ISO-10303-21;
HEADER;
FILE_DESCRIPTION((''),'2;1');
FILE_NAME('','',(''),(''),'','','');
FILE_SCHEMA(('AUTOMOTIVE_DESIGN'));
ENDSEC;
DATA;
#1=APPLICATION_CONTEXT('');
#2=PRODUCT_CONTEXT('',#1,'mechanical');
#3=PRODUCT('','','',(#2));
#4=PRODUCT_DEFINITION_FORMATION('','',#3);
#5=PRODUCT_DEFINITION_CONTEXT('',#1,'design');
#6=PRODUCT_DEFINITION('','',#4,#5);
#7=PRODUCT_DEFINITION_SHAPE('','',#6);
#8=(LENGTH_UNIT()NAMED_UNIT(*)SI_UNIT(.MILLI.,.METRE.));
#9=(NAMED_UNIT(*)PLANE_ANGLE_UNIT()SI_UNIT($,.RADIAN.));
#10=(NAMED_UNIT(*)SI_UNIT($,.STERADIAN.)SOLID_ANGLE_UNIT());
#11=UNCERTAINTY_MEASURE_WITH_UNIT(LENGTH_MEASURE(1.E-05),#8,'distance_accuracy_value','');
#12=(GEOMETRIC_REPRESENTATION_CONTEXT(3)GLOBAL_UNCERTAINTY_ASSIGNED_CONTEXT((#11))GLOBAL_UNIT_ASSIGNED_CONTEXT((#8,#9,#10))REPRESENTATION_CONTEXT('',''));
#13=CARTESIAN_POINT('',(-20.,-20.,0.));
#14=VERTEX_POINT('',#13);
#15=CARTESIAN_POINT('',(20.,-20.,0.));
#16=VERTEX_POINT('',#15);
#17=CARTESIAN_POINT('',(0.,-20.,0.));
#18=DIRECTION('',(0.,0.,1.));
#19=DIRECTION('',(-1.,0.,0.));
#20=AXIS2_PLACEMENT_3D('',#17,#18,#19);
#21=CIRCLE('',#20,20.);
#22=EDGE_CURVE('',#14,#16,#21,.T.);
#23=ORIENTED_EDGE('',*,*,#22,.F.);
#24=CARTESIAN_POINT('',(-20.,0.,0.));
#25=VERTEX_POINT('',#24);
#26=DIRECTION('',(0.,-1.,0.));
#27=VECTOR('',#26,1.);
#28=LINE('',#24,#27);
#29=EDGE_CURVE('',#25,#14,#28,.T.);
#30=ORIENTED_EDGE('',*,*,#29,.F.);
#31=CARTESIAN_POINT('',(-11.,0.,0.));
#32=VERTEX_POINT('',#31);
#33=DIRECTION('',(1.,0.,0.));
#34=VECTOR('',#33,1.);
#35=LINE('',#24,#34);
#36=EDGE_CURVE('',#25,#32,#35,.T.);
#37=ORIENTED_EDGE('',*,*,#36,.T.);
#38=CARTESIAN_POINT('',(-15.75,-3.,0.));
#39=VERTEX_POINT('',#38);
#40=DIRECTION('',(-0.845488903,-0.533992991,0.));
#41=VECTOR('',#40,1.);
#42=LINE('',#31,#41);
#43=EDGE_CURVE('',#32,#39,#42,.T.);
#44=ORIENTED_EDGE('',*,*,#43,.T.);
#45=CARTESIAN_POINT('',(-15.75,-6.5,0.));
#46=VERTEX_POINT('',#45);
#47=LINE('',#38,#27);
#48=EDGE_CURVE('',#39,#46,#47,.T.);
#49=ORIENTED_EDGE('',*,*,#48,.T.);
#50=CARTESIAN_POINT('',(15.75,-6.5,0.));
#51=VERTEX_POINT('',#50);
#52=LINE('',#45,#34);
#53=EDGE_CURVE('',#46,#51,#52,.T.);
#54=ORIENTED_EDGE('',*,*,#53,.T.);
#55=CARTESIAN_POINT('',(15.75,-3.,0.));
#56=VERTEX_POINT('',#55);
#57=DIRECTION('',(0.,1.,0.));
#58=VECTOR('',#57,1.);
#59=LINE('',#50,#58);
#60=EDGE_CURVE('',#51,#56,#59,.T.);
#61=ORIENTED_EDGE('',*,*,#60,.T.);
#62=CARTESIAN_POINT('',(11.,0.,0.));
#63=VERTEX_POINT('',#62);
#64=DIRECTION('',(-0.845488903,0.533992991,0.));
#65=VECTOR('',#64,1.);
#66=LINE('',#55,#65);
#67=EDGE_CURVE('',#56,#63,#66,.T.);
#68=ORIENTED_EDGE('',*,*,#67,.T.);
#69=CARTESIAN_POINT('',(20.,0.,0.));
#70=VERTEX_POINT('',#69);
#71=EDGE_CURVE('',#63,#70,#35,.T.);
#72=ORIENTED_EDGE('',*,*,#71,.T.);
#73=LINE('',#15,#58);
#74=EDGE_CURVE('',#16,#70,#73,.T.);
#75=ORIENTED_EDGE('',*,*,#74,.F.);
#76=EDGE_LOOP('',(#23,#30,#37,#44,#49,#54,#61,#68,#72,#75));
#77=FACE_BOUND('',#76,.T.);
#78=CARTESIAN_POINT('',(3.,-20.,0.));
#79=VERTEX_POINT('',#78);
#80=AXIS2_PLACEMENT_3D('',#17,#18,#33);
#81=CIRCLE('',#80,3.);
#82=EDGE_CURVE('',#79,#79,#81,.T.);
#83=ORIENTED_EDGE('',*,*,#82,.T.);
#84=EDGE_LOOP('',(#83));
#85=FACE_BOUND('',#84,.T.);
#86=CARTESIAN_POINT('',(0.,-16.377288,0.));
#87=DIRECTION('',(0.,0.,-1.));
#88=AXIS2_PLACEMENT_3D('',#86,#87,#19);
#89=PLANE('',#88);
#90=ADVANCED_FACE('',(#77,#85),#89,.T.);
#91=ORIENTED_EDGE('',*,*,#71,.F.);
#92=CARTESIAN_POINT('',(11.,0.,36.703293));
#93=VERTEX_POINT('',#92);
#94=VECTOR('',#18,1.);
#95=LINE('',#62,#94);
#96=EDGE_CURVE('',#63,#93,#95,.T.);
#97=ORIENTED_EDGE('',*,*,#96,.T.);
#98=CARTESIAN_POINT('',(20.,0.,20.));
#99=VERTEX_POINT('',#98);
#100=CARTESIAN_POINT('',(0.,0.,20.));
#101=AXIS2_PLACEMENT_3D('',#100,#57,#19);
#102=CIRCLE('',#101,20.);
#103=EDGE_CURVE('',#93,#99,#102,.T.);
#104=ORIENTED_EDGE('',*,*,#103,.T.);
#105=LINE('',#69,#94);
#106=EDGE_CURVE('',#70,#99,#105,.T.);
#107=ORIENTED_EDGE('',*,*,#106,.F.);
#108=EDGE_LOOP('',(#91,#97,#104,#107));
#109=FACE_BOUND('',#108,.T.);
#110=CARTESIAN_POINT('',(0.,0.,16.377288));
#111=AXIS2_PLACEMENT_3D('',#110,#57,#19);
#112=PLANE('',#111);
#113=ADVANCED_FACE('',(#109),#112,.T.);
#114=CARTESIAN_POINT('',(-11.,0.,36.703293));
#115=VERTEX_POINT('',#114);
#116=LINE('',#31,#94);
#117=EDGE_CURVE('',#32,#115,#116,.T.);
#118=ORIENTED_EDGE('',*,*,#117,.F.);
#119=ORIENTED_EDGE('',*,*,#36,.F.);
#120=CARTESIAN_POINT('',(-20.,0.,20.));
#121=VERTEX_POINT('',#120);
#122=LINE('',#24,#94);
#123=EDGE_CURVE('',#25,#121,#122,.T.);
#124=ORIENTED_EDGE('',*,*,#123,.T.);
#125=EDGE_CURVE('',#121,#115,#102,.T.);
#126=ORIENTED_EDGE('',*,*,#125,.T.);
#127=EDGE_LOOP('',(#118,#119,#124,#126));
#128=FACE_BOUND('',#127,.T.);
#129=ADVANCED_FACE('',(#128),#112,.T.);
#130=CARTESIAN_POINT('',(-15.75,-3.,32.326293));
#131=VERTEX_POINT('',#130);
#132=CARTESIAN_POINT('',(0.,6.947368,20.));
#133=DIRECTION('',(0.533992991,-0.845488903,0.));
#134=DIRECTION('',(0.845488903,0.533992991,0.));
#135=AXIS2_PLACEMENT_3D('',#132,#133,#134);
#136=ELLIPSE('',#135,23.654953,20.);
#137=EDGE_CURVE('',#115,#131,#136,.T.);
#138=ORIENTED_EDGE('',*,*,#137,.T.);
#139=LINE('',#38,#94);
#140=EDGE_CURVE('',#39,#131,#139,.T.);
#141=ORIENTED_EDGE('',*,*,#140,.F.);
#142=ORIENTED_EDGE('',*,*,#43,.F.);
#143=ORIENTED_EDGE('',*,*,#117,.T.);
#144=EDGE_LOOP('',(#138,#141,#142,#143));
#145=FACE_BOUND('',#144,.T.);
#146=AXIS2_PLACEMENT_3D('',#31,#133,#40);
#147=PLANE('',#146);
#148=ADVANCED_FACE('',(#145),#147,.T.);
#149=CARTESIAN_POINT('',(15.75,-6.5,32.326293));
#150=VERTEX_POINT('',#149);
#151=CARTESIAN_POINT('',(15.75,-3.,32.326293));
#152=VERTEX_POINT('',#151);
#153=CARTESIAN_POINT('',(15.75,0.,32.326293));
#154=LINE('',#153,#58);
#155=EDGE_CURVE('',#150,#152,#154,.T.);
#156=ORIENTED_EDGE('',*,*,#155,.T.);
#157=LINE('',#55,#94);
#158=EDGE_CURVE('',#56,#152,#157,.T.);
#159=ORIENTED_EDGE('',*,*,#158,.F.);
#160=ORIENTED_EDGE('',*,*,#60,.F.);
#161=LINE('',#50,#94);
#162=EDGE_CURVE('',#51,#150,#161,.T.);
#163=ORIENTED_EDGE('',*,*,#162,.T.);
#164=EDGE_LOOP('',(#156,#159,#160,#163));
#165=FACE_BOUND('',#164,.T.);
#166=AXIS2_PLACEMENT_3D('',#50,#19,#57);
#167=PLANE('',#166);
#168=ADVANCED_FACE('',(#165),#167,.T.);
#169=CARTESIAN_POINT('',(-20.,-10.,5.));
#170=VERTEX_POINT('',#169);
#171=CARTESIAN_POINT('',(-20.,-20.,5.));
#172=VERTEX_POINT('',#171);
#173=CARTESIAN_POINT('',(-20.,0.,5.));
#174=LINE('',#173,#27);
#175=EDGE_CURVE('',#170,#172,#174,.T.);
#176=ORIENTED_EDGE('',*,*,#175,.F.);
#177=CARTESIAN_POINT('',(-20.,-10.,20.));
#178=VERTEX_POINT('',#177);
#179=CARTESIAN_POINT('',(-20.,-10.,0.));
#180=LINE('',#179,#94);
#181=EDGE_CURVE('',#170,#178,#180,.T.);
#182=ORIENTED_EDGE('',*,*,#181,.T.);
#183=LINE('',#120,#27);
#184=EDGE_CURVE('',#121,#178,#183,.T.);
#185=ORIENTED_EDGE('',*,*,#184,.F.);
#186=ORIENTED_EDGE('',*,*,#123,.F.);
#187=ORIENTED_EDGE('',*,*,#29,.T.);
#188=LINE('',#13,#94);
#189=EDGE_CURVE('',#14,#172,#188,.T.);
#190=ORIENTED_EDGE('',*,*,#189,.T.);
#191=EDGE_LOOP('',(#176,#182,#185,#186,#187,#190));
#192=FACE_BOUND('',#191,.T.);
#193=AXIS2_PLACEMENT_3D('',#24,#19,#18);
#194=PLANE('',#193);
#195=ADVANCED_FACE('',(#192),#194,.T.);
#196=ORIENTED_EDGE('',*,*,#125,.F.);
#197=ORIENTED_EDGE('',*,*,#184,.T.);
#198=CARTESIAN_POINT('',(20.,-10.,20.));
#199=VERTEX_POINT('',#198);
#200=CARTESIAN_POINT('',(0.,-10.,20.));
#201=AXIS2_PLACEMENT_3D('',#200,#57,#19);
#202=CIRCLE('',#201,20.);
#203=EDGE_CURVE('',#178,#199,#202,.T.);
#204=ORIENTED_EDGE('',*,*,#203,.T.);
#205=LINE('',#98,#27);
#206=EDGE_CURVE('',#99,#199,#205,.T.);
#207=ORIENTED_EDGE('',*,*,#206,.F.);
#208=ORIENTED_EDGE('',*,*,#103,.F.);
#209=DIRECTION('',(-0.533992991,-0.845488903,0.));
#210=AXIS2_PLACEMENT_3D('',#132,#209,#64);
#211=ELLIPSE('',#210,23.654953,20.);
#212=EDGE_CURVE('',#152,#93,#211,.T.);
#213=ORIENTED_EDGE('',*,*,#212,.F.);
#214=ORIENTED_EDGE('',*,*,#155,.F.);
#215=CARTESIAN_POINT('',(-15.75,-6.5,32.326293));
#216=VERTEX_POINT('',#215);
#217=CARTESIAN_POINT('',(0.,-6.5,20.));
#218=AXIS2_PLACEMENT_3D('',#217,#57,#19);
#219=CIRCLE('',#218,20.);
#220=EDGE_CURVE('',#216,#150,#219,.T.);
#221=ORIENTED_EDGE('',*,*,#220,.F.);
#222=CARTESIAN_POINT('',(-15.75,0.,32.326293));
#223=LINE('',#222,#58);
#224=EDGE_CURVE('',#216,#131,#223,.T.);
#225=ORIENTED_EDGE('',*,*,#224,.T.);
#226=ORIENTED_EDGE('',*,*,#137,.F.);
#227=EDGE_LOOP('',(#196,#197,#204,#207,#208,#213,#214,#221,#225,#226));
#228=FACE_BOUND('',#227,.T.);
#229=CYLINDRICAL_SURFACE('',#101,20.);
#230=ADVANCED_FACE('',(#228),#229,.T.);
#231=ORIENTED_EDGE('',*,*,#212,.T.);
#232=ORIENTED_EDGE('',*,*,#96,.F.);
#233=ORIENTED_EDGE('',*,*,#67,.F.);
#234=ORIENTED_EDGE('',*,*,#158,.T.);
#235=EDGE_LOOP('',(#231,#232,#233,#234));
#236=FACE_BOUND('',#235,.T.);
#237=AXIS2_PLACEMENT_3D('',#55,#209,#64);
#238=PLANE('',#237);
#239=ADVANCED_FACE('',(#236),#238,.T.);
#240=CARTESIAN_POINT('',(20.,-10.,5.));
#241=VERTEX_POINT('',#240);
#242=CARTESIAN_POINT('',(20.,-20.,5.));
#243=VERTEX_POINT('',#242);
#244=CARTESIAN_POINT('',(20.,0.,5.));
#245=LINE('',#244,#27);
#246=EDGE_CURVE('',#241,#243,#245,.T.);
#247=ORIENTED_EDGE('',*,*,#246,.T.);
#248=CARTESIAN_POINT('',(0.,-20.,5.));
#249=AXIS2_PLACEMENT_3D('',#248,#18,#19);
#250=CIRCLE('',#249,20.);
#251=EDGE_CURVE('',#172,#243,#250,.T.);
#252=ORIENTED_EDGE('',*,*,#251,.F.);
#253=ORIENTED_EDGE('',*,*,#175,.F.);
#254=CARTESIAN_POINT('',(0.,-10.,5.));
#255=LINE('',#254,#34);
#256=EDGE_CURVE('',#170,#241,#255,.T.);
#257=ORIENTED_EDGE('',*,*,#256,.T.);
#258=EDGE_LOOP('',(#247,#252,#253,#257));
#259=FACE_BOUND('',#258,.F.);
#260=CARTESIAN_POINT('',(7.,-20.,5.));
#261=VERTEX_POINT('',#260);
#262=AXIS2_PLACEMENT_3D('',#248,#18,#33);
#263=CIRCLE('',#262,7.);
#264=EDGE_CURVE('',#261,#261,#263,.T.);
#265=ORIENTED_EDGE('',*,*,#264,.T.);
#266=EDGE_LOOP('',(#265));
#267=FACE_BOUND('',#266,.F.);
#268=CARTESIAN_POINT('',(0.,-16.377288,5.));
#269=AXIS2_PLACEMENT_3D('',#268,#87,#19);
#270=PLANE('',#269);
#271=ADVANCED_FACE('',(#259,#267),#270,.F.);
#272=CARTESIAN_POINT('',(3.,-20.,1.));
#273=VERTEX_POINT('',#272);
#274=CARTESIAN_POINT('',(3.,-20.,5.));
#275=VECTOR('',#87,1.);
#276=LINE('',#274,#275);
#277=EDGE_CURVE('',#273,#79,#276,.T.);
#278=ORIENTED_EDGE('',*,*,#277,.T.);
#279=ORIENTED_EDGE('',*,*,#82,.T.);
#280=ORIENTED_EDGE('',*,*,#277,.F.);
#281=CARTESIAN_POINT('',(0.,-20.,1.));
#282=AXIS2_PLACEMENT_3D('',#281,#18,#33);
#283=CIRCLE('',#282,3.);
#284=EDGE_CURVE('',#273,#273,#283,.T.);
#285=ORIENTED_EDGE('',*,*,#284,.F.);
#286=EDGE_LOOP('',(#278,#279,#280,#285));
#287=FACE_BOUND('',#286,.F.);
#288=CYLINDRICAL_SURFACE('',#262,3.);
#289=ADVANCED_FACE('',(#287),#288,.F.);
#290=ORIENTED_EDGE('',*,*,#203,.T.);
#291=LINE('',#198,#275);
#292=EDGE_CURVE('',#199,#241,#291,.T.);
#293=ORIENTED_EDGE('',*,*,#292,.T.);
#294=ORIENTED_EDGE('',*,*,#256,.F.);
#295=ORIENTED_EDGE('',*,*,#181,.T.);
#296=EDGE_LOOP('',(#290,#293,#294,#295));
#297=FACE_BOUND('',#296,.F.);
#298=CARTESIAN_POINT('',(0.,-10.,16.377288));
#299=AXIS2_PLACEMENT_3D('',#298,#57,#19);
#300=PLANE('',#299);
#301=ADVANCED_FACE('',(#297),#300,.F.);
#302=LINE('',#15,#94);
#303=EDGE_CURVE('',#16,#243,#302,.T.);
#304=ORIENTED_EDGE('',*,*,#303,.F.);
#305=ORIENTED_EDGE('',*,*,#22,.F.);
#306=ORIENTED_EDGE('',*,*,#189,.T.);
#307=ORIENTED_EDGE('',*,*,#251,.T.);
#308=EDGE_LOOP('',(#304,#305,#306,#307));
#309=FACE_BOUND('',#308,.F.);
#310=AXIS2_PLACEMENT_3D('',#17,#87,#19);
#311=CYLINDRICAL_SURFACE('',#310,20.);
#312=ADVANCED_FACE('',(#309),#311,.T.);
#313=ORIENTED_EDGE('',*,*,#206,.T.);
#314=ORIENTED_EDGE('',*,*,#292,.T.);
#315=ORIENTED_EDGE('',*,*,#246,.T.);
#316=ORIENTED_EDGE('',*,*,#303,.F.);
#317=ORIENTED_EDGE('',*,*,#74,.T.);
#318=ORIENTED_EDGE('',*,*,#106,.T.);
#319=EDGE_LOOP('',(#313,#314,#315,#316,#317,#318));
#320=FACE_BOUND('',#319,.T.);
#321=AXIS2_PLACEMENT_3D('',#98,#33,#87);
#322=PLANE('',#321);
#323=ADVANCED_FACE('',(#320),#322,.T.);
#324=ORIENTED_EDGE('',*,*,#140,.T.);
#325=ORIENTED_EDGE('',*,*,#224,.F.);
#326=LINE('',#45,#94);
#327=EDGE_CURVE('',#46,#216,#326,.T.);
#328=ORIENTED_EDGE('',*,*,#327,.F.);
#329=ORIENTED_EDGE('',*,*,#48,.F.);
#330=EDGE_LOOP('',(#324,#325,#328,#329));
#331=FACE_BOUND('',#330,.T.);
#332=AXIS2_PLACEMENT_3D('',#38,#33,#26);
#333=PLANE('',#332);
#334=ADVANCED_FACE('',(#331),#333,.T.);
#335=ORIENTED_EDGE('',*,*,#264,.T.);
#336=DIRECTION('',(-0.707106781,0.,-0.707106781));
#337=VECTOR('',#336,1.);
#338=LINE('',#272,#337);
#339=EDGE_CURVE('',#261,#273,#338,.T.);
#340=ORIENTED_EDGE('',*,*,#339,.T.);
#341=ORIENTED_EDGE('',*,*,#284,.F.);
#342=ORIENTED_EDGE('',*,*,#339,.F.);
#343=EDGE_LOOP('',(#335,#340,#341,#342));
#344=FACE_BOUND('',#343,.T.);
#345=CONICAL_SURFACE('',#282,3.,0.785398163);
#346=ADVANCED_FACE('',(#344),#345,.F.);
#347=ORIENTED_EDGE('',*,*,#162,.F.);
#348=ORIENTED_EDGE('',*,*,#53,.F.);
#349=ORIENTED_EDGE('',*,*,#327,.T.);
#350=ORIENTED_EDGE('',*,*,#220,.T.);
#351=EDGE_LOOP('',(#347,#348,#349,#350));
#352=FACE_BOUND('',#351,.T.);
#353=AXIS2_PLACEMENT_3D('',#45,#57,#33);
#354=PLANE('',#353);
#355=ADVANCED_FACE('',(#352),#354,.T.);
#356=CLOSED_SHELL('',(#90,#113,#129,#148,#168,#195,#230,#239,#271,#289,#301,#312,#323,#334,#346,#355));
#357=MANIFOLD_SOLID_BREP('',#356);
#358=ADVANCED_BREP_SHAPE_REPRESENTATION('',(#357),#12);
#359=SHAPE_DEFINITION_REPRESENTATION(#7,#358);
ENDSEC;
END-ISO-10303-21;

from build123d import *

# Parameters (mm, degrees)
PAD_DEPTH    = 5
PAD001_DEPTH = 10
POCKET_DEPTH = 42
SKETCH003_R  = 3
HOLE_DEPTH   = 25
CHAMFER_SIZE = 4


with BuildPart() as part:
    # Sketch → Pad (new body)
    with BuildSketch(Plane.XY):
        with BuildLine():
            Line((-20, 0), (20, 0))
            Line((20, 0), (20, -20))
            ThreePointArc((-20, -20), (0, -40), (20, -20))
            Line((-20, 0), (-20, -20))
        make_face()
    extrude(amount=PAD_DEPTH)

    # Sketch001 (on Face1 of Pad) → Pad001 (join)
    with BuildSketch(Plane(origin=(0, 0, 0), x_dir=(-1, 0, 0), z_dir=(0, 1, 0))):
        with BuildLine():
            Line((-20, 20), (-20, 0))
            Line((-20, 0), (20, 0))
            Line((20, 0), (20, 20))
            ThreePointArc((20, 20), (0, 40), (-20, 20))
        make_face()
    extrude(amount=-PAD001_DEPTH)

    # Sketch002 (on Face4 of Pad001) → Pocket (cut)
    with BuildSketch(Plane(origin=(0, 0, 0), x_dir=(1, 0, 0), z_dir=(0, 0, -1))):
        Polygon((-15.75, 3), (-15.75, 6.5), (15.75, 6.5), (15.75, 3), (11, 0), (-11, 0), align=None)
    extrude(amount=-POCKET_DEPTH, mode=Mode.SUBTRACT)

    # Sketch003 → Hole (cut)
    with BuildSketch(Plane.XY.offset(5)):
        with Locations((0, -20)):
            Circle(SKETCH003_R)
    extrude(amount=-HOLE_DEPTH, mode=Mode.SUBTRACT)

    # Chamfer
    chamfer_edges = [part.edges().sort_by_distance(p)[0] for p in [
        (-3, -20, 5),
    ]]
    chamfer(chamfer_edges, length=CHAMFER_SIZE)


solid = part.part
